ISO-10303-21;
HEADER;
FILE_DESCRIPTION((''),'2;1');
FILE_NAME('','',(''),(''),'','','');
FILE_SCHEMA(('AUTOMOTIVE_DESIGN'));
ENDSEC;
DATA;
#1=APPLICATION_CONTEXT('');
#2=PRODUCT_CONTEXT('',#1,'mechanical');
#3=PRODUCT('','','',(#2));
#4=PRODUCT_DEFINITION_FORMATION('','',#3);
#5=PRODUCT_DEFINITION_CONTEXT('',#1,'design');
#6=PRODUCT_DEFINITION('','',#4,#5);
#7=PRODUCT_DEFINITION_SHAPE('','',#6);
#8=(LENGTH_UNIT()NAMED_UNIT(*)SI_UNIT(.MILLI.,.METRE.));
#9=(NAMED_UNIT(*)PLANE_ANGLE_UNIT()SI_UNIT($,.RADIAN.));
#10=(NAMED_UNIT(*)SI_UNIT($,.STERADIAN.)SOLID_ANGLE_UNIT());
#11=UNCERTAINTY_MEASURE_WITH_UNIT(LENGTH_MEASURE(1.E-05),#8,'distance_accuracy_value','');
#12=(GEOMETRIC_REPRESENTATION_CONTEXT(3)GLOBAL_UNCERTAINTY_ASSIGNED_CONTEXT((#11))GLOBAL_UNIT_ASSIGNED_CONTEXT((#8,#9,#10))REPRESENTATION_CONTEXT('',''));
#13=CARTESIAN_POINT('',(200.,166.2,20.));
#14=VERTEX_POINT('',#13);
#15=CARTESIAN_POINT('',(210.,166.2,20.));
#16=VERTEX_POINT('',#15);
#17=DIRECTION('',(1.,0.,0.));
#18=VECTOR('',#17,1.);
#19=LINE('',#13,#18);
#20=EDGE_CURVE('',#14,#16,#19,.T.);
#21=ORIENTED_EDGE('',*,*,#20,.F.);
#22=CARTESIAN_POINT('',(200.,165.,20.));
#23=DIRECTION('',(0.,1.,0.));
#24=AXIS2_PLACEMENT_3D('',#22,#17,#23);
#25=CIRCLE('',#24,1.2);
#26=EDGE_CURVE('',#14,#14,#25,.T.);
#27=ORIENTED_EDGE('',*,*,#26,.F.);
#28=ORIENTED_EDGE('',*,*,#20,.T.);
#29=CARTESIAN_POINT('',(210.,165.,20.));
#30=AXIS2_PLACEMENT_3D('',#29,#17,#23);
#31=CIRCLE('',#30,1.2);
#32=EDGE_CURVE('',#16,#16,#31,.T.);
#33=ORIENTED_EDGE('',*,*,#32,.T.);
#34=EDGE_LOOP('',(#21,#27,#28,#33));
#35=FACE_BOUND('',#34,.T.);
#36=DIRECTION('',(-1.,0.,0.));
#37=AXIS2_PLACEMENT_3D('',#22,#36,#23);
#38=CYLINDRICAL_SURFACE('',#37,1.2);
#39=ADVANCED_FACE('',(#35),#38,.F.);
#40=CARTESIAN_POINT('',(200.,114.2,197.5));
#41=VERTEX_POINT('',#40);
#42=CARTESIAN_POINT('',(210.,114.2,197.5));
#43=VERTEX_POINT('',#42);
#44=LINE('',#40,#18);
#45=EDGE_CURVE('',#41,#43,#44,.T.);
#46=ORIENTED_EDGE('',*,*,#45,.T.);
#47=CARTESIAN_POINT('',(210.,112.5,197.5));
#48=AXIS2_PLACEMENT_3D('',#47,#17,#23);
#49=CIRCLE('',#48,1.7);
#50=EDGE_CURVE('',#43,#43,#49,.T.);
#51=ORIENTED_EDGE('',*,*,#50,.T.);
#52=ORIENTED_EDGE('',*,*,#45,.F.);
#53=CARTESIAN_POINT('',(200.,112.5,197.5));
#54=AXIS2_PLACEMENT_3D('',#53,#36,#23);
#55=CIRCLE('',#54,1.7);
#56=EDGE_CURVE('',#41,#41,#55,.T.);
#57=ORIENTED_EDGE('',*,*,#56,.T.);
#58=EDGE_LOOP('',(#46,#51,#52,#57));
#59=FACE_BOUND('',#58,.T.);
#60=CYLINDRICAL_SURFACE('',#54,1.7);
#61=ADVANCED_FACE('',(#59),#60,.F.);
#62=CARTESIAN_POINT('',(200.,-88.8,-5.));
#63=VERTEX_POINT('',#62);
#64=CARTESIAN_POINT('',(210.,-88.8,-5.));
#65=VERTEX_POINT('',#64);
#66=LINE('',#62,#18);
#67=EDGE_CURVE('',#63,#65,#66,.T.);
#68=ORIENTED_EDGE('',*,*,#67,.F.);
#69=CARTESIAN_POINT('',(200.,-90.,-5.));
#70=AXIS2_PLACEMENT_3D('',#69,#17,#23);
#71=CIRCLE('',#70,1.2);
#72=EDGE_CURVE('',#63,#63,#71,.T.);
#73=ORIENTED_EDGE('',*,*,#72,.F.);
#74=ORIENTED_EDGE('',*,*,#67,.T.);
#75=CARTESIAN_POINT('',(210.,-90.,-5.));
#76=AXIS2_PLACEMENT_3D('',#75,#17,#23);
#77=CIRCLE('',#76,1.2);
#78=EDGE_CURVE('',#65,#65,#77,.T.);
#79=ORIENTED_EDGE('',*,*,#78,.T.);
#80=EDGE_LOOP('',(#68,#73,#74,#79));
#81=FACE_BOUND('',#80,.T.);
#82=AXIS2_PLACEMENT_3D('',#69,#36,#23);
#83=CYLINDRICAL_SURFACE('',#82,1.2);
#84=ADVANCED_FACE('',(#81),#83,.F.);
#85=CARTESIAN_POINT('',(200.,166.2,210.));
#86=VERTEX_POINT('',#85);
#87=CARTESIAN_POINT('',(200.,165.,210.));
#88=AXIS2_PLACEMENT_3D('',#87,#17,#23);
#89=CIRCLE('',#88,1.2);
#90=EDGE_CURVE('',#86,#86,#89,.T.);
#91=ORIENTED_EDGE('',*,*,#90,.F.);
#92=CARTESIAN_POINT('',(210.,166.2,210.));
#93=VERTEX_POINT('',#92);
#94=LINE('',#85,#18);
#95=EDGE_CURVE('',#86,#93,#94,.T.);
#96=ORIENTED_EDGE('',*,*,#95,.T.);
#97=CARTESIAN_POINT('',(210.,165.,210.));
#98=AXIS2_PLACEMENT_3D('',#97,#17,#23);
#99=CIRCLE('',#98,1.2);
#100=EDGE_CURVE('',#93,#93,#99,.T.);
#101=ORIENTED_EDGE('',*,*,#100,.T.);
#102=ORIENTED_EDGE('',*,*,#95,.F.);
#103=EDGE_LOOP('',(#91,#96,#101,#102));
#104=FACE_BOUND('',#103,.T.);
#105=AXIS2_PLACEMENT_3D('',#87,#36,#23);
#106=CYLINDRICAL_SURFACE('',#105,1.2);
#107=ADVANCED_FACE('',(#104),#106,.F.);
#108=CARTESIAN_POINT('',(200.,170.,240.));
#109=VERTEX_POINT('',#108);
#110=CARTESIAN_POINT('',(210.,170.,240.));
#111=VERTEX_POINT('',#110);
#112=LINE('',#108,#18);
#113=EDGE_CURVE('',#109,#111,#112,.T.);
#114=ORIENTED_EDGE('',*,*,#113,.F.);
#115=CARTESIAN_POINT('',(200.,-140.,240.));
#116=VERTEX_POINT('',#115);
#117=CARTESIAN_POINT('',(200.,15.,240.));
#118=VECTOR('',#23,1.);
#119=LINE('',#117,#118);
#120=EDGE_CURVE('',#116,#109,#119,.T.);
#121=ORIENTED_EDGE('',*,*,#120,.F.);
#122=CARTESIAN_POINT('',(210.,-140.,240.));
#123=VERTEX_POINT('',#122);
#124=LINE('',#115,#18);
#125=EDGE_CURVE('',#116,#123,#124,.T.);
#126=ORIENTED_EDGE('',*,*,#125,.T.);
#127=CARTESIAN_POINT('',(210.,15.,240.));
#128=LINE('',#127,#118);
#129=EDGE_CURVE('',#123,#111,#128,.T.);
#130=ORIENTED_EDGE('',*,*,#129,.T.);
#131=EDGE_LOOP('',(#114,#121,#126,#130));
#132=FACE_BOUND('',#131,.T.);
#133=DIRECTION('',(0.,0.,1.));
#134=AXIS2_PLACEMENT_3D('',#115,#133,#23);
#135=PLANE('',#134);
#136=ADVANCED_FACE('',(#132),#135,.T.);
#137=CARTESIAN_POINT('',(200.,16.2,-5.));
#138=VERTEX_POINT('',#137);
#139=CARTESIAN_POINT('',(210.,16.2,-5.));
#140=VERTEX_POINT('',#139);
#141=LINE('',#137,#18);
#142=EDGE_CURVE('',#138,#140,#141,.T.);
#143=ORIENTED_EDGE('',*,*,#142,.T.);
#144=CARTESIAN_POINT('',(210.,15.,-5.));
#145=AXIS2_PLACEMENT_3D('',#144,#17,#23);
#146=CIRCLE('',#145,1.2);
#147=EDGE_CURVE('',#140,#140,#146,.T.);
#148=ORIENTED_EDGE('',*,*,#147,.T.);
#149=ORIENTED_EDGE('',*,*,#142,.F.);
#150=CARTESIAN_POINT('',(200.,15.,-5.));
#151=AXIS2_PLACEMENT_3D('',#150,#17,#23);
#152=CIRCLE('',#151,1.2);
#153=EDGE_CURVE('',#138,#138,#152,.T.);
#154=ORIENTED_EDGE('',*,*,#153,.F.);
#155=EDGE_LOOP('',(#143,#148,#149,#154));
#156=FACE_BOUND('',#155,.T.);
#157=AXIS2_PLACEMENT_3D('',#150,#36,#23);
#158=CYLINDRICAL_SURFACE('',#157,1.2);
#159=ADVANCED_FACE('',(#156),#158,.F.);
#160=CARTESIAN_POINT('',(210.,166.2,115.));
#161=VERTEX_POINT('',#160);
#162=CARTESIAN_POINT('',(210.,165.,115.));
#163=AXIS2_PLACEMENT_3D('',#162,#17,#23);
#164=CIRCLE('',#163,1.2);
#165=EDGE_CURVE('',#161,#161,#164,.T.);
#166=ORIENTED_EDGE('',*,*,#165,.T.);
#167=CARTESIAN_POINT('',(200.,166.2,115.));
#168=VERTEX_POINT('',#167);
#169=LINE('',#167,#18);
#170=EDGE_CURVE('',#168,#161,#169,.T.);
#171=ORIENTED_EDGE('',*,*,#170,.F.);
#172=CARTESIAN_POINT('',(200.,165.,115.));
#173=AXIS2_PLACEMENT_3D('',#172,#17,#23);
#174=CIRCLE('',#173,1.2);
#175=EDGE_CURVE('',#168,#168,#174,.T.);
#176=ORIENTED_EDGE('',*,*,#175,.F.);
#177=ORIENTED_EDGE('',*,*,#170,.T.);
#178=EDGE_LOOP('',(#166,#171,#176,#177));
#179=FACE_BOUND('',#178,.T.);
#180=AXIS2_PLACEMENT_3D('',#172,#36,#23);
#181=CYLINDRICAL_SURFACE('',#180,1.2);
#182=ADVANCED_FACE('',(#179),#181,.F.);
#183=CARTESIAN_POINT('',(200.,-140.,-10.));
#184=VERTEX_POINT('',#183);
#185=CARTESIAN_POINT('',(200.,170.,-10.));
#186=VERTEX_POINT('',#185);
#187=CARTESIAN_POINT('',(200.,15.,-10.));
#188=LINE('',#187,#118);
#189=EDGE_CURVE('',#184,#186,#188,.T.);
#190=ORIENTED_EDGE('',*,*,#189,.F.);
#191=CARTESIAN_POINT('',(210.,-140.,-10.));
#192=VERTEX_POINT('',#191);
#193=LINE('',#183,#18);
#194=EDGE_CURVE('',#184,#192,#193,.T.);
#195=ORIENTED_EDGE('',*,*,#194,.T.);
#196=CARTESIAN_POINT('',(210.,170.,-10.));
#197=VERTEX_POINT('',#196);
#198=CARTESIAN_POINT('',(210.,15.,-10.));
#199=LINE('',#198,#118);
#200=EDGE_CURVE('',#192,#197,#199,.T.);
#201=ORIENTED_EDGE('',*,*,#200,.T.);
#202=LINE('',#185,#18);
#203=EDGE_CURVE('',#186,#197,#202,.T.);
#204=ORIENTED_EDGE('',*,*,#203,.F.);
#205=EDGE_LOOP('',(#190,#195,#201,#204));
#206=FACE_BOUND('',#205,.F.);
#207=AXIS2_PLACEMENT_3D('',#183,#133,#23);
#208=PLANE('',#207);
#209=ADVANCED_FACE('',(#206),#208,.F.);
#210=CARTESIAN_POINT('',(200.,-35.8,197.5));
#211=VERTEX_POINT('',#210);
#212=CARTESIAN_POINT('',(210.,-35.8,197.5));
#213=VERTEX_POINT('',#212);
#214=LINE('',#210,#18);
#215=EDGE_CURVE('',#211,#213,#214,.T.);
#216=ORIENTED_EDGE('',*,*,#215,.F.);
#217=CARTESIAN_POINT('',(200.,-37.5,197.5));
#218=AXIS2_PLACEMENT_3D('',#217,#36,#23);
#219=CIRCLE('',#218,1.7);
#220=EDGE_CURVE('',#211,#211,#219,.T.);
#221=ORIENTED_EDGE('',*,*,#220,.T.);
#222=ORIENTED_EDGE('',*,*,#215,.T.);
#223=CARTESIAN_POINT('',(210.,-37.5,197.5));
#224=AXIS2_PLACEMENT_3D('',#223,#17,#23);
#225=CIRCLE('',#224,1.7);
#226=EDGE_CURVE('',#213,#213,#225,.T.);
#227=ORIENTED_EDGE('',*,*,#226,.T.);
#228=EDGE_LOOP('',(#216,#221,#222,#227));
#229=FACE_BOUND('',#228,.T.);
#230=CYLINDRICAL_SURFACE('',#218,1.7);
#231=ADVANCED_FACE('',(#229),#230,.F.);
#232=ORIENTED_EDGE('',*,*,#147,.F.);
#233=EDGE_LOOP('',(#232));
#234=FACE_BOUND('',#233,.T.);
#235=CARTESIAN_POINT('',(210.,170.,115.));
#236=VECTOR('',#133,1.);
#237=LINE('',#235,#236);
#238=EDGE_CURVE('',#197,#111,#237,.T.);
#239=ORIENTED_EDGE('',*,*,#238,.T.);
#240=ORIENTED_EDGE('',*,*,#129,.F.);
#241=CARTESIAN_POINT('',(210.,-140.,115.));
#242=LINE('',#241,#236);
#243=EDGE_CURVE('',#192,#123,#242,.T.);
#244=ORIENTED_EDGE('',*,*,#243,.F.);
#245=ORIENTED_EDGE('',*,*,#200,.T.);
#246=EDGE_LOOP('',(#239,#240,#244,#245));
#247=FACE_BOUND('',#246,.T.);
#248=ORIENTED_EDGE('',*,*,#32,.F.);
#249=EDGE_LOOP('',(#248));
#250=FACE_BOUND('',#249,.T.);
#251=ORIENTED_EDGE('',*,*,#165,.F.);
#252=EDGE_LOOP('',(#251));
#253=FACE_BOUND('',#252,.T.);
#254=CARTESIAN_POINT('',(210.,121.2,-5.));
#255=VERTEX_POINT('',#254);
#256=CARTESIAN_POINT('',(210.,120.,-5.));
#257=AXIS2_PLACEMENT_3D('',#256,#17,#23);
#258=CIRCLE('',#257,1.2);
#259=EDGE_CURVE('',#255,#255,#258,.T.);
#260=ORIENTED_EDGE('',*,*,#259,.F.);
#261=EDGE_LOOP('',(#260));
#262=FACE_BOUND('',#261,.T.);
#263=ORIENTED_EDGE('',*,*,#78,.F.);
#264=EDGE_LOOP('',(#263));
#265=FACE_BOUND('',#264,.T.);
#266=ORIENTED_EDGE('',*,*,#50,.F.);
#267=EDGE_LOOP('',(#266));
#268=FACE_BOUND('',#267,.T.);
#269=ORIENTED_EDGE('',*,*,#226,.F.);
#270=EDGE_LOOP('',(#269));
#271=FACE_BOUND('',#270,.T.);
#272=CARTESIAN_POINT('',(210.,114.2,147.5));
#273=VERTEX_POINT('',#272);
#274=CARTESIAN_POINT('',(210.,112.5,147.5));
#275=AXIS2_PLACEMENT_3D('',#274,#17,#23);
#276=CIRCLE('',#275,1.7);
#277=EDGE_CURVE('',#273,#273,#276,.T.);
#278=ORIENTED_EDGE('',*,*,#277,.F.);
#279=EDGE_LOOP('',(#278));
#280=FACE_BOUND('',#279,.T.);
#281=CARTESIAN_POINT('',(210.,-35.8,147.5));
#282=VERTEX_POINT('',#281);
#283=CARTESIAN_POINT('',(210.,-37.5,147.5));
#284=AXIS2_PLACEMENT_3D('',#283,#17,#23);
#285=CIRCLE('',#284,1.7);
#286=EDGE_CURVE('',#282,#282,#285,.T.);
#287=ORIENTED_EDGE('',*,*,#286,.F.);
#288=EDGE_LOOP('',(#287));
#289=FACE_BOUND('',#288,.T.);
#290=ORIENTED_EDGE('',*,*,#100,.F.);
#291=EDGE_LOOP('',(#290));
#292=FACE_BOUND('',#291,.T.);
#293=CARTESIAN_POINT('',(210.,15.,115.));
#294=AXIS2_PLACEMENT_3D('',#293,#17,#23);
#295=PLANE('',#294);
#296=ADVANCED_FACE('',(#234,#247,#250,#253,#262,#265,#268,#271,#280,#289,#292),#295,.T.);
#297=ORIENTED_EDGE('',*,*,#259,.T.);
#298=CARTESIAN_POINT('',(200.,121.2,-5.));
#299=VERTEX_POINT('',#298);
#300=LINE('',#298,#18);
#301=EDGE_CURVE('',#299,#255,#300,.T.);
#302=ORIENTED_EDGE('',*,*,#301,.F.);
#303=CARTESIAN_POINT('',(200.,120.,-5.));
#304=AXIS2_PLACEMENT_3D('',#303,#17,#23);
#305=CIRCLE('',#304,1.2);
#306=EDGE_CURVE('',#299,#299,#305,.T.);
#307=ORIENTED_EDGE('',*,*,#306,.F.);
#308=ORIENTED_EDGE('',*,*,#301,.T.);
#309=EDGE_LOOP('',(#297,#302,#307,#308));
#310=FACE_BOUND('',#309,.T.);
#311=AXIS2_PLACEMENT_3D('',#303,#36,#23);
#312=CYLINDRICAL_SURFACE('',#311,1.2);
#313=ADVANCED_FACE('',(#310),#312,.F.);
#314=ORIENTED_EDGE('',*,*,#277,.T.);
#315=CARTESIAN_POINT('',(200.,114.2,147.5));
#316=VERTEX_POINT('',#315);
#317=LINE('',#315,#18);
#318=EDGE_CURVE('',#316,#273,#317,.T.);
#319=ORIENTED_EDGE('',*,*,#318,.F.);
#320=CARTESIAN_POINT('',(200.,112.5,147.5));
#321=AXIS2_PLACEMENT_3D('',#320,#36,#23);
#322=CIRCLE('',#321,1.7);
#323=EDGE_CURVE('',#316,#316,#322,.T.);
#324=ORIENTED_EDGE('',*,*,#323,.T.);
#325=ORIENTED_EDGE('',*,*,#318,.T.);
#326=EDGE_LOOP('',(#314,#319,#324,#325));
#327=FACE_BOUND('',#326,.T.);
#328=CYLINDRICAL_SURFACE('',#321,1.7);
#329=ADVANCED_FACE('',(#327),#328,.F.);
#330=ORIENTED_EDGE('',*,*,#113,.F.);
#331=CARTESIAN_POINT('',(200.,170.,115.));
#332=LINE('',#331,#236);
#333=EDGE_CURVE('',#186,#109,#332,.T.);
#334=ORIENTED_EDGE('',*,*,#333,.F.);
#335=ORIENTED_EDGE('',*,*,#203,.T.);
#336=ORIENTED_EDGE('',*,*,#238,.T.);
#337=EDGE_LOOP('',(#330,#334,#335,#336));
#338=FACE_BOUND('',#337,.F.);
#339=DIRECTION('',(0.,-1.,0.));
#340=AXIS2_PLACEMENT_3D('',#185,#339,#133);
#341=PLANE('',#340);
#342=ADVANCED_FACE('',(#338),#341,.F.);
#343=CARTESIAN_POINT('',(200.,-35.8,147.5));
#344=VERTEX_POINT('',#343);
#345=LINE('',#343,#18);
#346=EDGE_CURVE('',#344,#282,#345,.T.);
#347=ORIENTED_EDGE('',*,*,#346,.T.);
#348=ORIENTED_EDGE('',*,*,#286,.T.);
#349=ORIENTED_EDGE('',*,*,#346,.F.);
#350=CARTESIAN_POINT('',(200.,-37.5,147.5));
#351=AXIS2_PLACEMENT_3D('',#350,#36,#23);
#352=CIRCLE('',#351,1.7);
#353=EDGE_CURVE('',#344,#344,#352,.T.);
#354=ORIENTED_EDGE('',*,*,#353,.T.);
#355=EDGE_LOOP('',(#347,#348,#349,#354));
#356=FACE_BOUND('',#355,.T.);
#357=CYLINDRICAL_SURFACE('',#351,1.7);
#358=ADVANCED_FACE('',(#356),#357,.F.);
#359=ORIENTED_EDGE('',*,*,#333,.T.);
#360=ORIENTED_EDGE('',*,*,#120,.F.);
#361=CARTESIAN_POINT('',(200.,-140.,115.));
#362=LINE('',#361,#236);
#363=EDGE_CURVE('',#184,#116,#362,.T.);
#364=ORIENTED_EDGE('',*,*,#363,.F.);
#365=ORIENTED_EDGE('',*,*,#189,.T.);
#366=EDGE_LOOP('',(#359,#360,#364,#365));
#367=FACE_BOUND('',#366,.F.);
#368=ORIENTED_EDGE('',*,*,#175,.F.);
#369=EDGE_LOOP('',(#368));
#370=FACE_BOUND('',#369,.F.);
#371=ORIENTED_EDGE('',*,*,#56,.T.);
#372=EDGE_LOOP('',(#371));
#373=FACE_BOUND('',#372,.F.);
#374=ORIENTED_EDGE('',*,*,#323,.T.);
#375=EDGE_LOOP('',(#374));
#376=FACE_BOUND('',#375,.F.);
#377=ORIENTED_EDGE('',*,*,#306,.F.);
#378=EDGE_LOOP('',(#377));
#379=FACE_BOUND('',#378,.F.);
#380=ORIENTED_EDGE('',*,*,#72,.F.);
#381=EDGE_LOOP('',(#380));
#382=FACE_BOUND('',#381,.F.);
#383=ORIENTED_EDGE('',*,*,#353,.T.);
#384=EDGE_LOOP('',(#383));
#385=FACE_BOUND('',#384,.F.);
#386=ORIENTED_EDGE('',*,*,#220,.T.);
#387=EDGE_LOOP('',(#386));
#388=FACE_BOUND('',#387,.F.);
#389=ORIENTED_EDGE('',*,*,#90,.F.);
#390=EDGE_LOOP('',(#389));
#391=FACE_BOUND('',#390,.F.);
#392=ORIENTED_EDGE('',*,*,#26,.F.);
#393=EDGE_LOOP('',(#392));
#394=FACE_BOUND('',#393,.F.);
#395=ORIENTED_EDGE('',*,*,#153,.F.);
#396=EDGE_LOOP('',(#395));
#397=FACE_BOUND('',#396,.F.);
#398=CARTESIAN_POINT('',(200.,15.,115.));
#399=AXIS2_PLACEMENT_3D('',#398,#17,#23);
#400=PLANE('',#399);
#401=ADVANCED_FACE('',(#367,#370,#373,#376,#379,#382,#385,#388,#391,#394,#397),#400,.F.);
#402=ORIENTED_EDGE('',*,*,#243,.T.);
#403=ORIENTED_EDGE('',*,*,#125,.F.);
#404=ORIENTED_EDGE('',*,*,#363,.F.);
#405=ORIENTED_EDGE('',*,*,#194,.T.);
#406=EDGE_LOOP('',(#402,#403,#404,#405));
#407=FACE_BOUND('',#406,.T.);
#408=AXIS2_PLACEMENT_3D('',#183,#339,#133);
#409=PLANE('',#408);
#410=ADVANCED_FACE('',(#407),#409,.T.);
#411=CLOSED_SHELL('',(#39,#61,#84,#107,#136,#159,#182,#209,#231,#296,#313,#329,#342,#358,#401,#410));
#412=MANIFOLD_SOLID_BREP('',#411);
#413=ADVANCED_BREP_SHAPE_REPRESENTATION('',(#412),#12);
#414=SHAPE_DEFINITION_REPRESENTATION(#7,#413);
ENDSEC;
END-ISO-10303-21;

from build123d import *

# Parameters (mm, degrees)
CYLINDER009_R           = 1.7
CYLINDER009_DEPTH       = 20
CYLINDER005_R           = 1.7
CYLINDER005_DEPTH       = 61
CYLINDER005_PITCH_ANGLE = 90
CYLINDER004_R           = 1.7
CYLINDER004_DEPTH       = 61
CYLINDER004_PITCH_ANGLE = 90
CYLINDER002_R           = 1.7
CYLINDER002_DEPTH       = 61
CYLINDER002_PITCH_ANGLE = 90
BOX_W                   = 50
BOX_H                   = 215
BOX_DEPTH               = 115
CYLINDER006_R           = 1.7
CYLINDER006_DEPTH       = 61
CYLINDER006_PITCH_ANGLE = 90
SKETCH005_W             = 310
SKETCH005_H             = 250
SKETCH005_R             = 1.2
SKETCH005_R_2           = 1.7
PAD005_DEPTH            = 10
CYLINDER008_R           = 1.7
CYLINDER008_DEPTH       = 20
CYLINDER010_R           = 1.7
CYLINDER010_DEPTH       = 20
CYLINDER010_ROLL_ANGLE  = 90
CYLINDER011_R           = 1.7
CYLINDER011_DEPTH       = 20
CYLINDER011_ROLL_ANGLE  = 90
CYLINDER012_R           = 1.7
CYLINDER012_DEPTH       = 20
CYLINDER012_ROLL_ANGLE  = 90
CYLINDER007_R           = 1.7
CYLINDER007_DEPTH       = 20


with BuildPart() as cylinder009:
    # Cylinder009 → Cylinder009 (new body)
    with BuildSketch(Plane(origin=(205, 120, 235), x_dir=(1, 0, 0), z_dir=(0, 0, 1))):
        Circle(CYLINDER009_R)
    extrude(amount=CYLINDER009_DEPTH)


with BuildPart() as cylinder005:
    # Cylinder005 → Cylinder005 (new body)
    with BuildSketch(Plane.XY):
        Circle(CYLINDER005_R)
    extrude(amount=CYLINDER005_DEPTH)


with BuildPart() as cylinder005_1:
    # Cylinder005 pitch: moved
    add(cylinder005.part.rotate(Axis((0, 0, 0), (0, 1, 0)), CYLINDER005_PITCH_ANGLE))


with BuildPart() as cylinder005_2:
    # Cylinder005 placement: moved
    add(cylinder005_1.part.moved(Location((150, 112.5, 147.5))))


with BuildPart() as cylinder004:
    # Cylinder004 → Cylinder004 (new body)
    with BuildSketch(Plane.XY):
        Circle(CYLINDER004_R)
    extrude(amount=CYLINDER004_DEPTH)


with BuildPart() as cylinder004_1:
    # Cylinder004 pitch: moved
    add(cylinder004.part.rotate(Axis((0, 0, 0), (0, 1, 0)), CYLINDER004_PITCH_ANGLE))


with BuildPart() as cylinder004_2:
    # Cylinder004 placement: moved
    add(cylinder004_1.part.moved(Location((150, -37.5, 197.5))))


with BuildPart() as cylinder002:
    # Cylinder002 → Cylinder002 (new body)
    with BuildSketch(Plane.XY):
        Circle(CYLINDER002_R)
    extrude(amount=CYLINDER002_DEPTH)


with BuildPart() as cylinder002_1:
    # Cylinder002 pitch: moved
    add(cylinder002.part.rotate(Axis((0, 0, 0), (0, 1, 0)), CYLINDER002_PITCH_ANGLE))


with BuildPart() as cylinder002_2:
    # Cylinder002 placement: moved
    add(cylinder002_1.part.moved(Location((150, -37.5, 147.5))))


with BuildPart() as box:
    # Box → Box (new body)
    with BuildSketch(Plane(origin=(150, -70, 115), x_dir=(1, 0, 0), z_dir=(0, 0, 1))):
        with Locations((25, 107.5)):
            Rectangle(BOX_W, BOX_H)
    extrude(amount=BOX_DEPTH)


with BuildPart() as fusion002:
    # Cylinder006 → Cylinder006 (new body)
    with BuildSketch(Plane.XY):
        Circle(CYLINDER006_R)
    extrude(amount=CYLINDER006_DEPTH)


with BuildPart() as fusion002_1:
    # Cylinder006 pitch: moved
    add(fusion002.part.rotate(Axis((0, 0, 0), (0, 1, 0)), CYLINDER006_PITCH_ANGLE))


with BuildPart() as fusion002_2:
    # Cylinder006 placement: moved
    add(fusion002_1.part.moved(Location((150, 112.5, 197.5))))

    # Fusion002: union Cylinder005, Cylinder004, Cylinder002, Box
    add(cylinder005_2.part)
    add(cylinder004_2.part)
    add(cylinder002_2.part)
    add(box.part)


with BuildPart() as cut002:
    # Sketch005 → Pad005 (new body)
    with BuildSketch(Plane.YZ.offset(200)):
        with Locations((15, 115)):
            Rectangle(SKETCH005_W, SKETCH005_H)
        with Locations((165, 210)):
            Circle(SKETCH005_R, mode=Mode.SUBTRACT)
        with Locations((165, 115)):
            Circle(SKETCH005_R, mode=Mode.SUBTRACT)
        with Locations((165, 20)):
            Circle(SKETCH005_R, mode=Mode.SUBTRACT)
        with Locations((120, -5)):
            Circle(SKETCH005_R, mode=Mode.SUBTRACT)
        with Locations((15, -5)):
            Circle(SKETCH005_R, mode=Mode.SUBTRACT)
        with Locations((-90, -5)):
            Circle(SKETCH005_R, mode=Mode.SUBTRACT)
        with Locations((-37.5, 197.5)):
            Circle(SKETCH005_R_2, mode=Mode.SUBTRACT)
        with Locations((-37.5, 147.5)):
            Circle(SKETCH005_R_2, mode=Mode.SUBTRACT)
        with Locations((112.5, 147.5)):
            Circle(SKETCH005_R_2, mode=Mode.SUBTRACT)
        with Locations((112.5, 197.5)):
            Circle(SKETCH005_R_2, mode=Mode.SUBTRACT)
    extrude(amount=PAD005_DEPTH)

    # Cut002: cut Fusion002
    add(fusion002_2.part, mode=Mode.SUBTRACT)


with BuildPart() as cut007:
    # Cut007 base: copy of Cut002
    add(cut002.part)

    # Cut007: cut Cylinder009
    add(cylinder009.part, mode=Mode.SUBTRACT)


with BuildPart() as cylinder008:
    # Cylinder008 → Cylinder008 (new body)
    with BuildSketch(Plane(origin=(205, 15, 235), x_dir=(1, 0, 0), z_dir=(0, 0, 1))):
        Circle(CYLINDER008_R)
    extrude(amount=CYLINDER008_DEPTH)


with BuildPart() as cut006:
    # Cut006 base: copy of Cut002
    add(cut002.part)

    # Cut006: cut Cylinder008
    add(cylinder008.part, mode=Mode.SUBTRACT)


with BuildPart() as cylinder010:
    # Cylinder010 → Cylinder010 (new body)
    with BuildSketch(Plane.XY):
        Circle(CYLINDER010_R)
    extrude(amount=CYLINDER010_DEPTH)


with BuildPart() as cylinder010_1:
    # Cylinder010 roll: moved
    add(cylinder010.part.rotate(Axis((0, 0, 0), (1, 0, 0)), CYLINDER010_ROLL_ANGLE))


with BuildPart() as cylinder010_2:
    # Cylinder010 placement: moved
    add(cylinder010_1.part.moved(Location((205, -135, 20))))


with BuildPart() as cut008:
    # Cut008 base: copy of Cut002
    add(cut002.part)

    # Cut008: cut Cylinder010
    add(cylinder010_2.part, mode=Mode.SUBTRACT)


with BuildPart() as cylinder011:
    # Cylinder011 → Cylinder011 (new body)
    with BuildSketch(Plane.XY):
        Circle(CYLINDER011_R)
    extrude(amount=CYLINDER011_DEPTH)


with BuildPart() as cylinder011_1:
    # Cylinder011 roll: moved
    add(cylinder011.part.rotate(Axis((0, 0, 0), (1, 0, 0)), CYLINDER011_ROLL_ANGLE))


with BuildPart() as cylinder011_2:
    # Cylinder011 placement: moved
    add(cylinder011_1.part.moved(Location((205, -135, 115))))


with BuildPart() as cut009:
    # Cut009 base: copy of Cut002
    add(cut002.part)

    # Cut009: cut Cylinder011
    add(cylinder011_2.part, mode=Mode.SUBTRACT)


with BuildPart() as cylinder012:
    # Cylinder012 → Cylinder012 (new body)
    with BuildSketch(Plane.XY):
        Circle(CYLINDER012_R)
    extrude(amount=CYLINDER012_DEPTH)


with BuildPart() as cylinder012_1:
    # Cylinder012 roll: moved
    add(cylinder012.part.rotate(Axis((0, 0, 0), (1, 0, 0)), CYLINDER012_ROLL_ANGLE))


with BuildPart() as cylinder012_2:
    # Cylinder012 placement: moved
    add(cylinder012_1.part.moved(Location((205, -135, 210))))


with BuildPart() as ok:
    # Cut010 base: copy of Cut002
    add(cut002.part)

    # Cut010: cut Cylinder012
    add(cylinder012_2.part, mode=Mode.SUBTRACT)


with BuildPart() as cylinder007:
    # Cylinder007 → Cylinder007 (new body)
    with BuildSketch(Plane(origin=(205, -90, 235), x_dir=(1, 0, 0), z_dir=(0, 0, 1))):
        Circle(CYLINDER007_R)
    extrude(amount=CYLINDER007_DEPTH)


with BuildPart() as fusion003:
    # Cut005 base: copy of Cut002
    add(cut002.part)

    # Cut005: cut Cylinder007
    add(cylinder007.part, mode=Mode.SUBTRACT)

    # Fusion003: union Cut007, Cut006, Cut008, Cut009, ok
    add(cut007.part)
    add(cut006.part)
    add(cut008.part)
    add(cut009.part)
    add(ok.part)


solid = fusion003.part
